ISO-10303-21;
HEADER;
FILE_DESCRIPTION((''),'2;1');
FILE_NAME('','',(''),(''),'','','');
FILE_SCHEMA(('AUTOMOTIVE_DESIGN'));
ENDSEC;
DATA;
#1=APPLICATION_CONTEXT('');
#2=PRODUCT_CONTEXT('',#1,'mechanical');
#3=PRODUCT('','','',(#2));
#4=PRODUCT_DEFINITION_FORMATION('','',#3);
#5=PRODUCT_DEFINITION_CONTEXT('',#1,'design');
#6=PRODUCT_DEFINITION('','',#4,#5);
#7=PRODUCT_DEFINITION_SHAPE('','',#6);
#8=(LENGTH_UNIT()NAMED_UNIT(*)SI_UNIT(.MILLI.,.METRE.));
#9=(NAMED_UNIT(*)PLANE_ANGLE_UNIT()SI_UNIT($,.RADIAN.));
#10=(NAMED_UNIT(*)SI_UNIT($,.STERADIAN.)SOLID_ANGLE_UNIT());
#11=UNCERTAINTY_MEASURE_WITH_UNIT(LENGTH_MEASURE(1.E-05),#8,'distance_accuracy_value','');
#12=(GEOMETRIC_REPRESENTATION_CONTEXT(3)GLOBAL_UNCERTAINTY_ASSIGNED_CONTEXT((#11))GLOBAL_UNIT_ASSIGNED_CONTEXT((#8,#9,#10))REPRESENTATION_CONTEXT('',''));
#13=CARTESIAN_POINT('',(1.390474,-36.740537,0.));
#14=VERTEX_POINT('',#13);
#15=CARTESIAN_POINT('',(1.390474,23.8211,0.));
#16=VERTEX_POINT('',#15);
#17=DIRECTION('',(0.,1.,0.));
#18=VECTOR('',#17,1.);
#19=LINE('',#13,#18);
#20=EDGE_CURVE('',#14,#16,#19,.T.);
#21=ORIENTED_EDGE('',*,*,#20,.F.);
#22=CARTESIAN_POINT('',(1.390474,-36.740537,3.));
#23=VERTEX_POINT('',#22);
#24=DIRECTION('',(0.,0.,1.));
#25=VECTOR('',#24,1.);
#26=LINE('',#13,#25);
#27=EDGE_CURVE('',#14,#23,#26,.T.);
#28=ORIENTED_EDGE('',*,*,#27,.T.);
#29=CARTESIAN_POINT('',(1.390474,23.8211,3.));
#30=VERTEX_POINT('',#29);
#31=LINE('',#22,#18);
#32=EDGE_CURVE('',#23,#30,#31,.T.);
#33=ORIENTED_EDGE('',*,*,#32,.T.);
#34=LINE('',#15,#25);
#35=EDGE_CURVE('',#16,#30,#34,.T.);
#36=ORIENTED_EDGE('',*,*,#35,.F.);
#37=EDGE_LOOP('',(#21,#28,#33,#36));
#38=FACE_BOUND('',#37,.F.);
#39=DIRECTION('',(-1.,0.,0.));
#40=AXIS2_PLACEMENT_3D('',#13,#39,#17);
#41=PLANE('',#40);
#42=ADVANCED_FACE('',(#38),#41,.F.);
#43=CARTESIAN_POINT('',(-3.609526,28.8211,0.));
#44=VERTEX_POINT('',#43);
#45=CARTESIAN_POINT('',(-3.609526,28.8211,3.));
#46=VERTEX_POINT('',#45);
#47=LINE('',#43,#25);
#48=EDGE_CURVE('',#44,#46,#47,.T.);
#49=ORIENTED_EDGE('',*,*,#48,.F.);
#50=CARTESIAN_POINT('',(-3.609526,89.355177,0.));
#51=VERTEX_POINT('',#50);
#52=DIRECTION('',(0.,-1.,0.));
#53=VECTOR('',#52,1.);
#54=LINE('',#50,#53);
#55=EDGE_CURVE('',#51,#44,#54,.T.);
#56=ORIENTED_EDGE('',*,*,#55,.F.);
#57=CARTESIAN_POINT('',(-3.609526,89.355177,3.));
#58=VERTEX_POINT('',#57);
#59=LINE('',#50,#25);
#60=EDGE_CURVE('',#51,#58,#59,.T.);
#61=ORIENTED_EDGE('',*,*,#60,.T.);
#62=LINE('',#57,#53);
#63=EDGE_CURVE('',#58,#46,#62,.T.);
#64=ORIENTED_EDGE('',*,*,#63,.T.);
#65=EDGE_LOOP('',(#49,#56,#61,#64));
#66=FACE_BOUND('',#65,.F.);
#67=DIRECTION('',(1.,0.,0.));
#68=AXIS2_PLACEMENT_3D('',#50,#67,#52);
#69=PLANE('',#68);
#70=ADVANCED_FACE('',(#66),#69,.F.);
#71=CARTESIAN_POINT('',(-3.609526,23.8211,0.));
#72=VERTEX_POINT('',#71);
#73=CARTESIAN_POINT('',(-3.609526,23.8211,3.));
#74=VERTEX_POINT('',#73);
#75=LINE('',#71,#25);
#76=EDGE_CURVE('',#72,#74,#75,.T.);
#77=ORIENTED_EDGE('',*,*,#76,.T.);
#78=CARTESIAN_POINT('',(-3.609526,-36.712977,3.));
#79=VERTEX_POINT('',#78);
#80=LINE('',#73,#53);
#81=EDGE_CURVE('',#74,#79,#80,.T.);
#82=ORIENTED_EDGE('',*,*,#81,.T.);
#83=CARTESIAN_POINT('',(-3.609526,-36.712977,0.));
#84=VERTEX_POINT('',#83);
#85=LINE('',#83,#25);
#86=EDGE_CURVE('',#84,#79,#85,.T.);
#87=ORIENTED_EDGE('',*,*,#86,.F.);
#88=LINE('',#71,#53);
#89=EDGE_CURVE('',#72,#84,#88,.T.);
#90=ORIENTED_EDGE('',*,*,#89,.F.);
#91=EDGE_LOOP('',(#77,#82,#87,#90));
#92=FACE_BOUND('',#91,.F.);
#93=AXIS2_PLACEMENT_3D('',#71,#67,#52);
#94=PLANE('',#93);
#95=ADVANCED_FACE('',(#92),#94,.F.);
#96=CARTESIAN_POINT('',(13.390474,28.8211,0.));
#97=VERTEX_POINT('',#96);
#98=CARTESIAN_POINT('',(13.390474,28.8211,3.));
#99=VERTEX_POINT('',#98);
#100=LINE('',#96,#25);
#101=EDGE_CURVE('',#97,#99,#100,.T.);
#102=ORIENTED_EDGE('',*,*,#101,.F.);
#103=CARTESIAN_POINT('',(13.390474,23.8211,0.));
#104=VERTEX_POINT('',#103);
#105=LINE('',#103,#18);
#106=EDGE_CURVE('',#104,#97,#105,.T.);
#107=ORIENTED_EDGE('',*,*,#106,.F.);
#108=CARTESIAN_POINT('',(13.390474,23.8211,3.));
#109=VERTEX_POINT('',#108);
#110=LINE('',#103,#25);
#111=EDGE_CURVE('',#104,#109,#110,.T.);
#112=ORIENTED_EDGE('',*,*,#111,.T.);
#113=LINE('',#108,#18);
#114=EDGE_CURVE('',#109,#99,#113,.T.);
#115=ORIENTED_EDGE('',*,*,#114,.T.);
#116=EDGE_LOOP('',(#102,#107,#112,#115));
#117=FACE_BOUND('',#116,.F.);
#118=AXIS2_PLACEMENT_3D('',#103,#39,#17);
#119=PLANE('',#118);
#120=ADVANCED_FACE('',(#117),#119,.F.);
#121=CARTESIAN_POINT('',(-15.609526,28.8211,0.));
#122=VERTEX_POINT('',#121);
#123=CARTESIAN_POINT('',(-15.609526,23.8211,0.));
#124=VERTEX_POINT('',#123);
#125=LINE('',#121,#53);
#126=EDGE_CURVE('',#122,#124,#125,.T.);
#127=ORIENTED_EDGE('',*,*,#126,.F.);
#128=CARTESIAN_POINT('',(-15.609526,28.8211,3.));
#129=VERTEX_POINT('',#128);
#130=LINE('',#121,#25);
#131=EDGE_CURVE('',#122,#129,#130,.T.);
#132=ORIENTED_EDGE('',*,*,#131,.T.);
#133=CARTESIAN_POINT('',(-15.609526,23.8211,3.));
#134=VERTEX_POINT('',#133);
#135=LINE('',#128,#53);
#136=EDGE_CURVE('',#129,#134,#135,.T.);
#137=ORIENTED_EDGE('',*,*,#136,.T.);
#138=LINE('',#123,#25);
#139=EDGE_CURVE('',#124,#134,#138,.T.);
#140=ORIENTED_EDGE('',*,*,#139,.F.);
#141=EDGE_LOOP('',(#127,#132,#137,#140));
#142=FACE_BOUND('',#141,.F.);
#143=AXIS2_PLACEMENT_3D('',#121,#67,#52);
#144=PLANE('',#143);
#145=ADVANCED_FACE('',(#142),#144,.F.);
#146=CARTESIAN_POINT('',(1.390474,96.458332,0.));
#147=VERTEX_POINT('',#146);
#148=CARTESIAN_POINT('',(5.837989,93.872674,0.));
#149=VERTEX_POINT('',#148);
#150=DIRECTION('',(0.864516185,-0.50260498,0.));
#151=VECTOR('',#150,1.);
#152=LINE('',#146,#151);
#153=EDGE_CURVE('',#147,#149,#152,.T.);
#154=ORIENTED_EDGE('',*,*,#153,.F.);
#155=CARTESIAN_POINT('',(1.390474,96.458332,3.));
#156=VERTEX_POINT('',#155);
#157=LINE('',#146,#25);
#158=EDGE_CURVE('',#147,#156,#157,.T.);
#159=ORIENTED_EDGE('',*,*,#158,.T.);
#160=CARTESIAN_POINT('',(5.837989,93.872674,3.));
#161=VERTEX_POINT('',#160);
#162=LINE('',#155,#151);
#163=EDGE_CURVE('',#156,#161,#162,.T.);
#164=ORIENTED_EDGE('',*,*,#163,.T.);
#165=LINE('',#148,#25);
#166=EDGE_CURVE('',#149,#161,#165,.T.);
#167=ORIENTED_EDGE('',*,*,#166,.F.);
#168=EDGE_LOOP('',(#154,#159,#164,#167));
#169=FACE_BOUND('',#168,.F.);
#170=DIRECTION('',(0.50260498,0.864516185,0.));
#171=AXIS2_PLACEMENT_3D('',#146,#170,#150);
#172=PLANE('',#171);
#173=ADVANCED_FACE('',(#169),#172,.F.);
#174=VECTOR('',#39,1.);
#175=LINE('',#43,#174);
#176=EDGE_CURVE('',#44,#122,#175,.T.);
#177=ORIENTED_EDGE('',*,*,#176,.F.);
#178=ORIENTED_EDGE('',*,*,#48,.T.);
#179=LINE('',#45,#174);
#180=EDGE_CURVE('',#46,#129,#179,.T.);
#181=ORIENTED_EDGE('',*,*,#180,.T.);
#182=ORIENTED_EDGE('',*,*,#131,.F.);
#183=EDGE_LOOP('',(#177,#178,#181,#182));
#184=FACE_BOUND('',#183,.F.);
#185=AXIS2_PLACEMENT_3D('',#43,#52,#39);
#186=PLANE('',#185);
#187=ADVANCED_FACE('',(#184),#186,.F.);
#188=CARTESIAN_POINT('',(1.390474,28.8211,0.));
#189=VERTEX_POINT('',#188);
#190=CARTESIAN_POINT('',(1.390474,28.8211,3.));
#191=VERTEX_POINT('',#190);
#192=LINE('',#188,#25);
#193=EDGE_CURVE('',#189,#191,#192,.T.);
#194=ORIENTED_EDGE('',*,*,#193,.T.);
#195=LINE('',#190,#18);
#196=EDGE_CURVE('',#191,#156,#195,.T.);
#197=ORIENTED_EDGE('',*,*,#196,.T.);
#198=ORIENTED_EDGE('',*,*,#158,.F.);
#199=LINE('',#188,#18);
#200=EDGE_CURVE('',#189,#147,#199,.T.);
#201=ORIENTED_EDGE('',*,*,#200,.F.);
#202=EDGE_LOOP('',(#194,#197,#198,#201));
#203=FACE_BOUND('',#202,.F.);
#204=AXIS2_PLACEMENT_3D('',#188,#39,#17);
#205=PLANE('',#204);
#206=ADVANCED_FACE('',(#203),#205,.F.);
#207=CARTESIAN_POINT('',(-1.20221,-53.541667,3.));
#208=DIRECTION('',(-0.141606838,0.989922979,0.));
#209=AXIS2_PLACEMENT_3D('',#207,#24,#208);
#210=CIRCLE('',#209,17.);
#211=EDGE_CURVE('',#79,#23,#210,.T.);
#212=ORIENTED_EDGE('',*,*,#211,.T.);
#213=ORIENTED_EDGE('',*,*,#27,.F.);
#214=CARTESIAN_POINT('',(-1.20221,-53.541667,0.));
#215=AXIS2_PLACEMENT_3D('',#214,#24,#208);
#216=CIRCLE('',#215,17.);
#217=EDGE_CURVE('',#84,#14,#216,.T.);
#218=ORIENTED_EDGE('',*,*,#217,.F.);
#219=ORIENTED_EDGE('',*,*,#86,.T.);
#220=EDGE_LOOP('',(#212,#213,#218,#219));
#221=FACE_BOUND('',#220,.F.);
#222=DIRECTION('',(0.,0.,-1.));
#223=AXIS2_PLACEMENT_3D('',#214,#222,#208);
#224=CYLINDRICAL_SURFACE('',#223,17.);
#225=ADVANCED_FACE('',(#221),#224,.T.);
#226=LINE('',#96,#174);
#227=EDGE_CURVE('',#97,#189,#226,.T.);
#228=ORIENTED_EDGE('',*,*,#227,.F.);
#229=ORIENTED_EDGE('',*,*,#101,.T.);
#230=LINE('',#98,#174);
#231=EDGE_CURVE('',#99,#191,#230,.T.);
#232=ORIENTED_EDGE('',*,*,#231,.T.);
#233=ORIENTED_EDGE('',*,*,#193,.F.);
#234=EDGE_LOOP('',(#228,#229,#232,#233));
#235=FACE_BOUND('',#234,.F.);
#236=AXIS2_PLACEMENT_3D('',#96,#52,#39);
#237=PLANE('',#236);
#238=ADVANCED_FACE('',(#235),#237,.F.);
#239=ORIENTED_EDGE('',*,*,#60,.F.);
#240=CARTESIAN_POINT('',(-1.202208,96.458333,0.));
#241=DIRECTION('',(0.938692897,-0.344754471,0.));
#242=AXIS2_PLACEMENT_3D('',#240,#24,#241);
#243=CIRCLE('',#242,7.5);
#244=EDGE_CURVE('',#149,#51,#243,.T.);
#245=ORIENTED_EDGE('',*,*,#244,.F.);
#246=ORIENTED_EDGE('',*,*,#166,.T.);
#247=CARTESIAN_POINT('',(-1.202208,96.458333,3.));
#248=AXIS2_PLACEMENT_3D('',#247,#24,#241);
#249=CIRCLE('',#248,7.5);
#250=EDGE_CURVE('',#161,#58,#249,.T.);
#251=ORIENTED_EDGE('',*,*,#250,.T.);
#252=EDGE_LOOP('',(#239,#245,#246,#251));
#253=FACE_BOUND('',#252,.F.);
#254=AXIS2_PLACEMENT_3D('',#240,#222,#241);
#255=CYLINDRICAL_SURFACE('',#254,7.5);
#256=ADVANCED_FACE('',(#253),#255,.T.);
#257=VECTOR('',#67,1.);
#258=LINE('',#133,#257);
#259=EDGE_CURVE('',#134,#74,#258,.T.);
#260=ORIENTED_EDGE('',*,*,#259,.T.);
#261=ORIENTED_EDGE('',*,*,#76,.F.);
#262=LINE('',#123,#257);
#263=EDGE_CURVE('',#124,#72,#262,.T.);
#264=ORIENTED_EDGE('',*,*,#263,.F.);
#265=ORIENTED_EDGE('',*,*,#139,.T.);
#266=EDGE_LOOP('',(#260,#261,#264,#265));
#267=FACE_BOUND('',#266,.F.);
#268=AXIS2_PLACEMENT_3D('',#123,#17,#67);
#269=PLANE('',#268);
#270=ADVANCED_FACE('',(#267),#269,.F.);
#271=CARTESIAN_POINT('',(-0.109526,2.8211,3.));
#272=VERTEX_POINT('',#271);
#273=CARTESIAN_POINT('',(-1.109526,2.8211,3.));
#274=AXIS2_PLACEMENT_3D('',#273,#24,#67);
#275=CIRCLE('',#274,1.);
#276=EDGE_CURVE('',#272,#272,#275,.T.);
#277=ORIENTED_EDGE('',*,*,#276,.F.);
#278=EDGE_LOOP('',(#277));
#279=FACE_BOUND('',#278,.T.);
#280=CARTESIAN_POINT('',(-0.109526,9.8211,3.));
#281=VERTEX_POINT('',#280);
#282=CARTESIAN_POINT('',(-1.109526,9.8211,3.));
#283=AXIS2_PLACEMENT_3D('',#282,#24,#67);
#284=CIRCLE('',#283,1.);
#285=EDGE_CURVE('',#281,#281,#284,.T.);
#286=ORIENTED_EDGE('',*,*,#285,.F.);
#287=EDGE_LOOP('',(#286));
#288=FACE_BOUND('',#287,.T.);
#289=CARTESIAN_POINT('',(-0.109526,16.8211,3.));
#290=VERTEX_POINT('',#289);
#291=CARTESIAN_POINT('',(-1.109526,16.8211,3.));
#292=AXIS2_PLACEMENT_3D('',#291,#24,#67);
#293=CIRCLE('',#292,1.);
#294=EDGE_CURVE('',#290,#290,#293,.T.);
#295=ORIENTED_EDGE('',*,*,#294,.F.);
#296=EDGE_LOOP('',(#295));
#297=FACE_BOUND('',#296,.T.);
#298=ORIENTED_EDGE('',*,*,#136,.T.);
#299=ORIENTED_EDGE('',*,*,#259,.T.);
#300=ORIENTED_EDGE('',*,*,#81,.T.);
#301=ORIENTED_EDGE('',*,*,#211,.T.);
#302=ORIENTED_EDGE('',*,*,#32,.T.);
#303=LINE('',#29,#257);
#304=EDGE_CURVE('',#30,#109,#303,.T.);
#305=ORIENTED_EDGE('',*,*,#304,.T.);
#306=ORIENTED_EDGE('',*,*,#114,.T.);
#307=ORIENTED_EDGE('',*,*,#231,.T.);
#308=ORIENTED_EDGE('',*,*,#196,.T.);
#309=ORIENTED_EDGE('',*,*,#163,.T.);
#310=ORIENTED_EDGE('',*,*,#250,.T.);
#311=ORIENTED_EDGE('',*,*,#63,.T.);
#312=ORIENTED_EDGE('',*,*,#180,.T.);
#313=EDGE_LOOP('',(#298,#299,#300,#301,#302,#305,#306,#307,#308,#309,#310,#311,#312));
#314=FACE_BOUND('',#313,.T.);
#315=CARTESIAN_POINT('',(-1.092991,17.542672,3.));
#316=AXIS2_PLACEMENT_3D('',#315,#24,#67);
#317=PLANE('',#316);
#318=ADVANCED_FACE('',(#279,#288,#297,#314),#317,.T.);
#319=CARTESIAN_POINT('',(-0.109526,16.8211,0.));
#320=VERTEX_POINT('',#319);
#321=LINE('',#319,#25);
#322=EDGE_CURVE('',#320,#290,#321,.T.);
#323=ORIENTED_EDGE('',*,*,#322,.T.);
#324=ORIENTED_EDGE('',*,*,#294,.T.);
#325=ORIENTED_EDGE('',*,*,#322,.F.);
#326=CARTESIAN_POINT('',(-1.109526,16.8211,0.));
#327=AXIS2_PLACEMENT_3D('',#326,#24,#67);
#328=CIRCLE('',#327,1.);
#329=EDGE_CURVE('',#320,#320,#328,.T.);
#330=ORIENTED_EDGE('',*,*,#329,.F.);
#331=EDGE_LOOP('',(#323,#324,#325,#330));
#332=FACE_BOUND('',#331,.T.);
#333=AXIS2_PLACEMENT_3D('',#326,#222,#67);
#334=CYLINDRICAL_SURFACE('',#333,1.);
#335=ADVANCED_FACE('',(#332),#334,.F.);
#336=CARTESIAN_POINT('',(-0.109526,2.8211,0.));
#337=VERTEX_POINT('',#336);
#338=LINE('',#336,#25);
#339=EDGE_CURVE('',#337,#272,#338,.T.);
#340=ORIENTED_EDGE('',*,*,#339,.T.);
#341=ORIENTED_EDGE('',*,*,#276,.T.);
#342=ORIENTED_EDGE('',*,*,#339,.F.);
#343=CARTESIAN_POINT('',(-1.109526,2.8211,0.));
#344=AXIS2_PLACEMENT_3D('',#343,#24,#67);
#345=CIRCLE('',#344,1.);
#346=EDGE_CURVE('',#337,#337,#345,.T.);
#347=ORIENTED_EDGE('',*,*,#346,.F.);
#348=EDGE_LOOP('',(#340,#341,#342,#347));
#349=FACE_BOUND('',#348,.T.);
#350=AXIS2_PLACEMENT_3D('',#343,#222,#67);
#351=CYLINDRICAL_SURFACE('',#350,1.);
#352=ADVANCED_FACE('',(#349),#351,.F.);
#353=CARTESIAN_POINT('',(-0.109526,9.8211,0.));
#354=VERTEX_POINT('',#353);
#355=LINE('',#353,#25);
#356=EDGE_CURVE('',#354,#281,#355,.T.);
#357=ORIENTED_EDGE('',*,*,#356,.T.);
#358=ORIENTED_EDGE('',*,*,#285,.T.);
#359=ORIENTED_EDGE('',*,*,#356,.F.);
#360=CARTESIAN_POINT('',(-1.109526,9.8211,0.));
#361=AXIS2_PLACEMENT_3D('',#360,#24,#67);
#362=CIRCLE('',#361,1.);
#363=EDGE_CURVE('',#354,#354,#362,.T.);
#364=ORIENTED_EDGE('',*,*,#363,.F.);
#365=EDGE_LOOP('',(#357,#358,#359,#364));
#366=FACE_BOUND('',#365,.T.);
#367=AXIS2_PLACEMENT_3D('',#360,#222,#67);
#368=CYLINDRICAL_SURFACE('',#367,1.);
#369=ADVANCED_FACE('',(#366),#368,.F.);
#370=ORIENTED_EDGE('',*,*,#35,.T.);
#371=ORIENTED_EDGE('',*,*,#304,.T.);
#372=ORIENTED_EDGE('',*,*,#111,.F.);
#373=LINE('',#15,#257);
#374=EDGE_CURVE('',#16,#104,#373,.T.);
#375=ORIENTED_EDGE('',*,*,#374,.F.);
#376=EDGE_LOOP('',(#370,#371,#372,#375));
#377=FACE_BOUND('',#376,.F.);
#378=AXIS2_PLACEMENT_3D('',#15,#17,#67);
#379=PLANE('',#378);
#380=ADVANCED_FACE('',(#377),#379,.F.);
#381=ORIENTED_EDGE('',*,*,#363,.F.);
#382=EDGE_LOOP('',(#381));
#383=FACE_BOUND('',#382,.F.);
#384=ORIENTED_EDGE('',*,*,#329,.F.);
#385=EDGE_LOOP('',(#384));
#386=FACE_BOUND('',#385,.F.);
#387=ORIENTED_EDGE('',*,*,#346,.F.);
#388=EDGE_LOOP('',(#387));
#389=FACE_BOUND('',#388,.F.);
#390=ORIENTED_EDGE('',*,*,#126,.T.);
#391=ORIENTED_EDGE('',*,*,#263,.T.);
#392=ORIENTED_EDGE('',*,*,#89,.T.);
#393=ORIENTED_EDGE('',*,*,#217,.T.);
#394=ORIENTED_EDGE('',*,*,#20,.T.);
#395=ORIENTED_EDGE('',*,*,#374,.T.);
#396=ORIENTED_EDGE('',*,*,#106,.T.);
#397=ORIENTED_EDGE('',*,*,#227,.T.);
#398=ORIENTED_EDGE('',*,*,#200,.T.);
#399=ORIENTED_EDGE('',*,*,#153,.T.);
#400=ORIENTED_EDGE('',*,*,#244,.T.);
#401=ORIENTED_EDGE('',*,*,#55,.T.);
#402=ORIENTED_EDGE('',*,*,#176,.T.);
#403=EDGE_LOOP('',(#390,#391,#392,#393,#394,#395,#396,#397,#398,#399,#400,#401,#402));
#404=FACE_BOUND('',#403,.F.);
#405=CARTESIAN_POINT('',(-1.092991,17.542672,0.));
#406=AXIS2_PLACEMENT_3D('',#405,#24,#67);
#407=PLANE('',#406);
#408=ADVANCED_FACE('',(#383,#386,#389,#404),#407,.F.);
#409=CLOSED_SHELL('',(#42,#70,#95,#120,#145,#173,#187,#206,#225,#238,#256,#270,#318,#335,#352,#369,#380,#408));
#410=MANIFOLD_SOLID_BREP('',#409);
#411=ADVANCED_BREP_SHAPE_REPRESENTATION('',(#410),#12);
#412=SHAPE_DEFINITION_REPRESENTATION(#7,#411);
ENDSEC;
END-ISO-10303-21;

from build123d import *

# Parameters (mm, degrees)
F0_R     = 1
F1_DEPTH = 3


with BuildPart() as f1:
    # F0 (on Top) → F1 (new body)
    with BuildSketch(Plane.XY):
        with BuildLine():
            Line((-3.609526, 23.8211), (-3.609526, -36.712977))
            ThreePointArc((-3.609526, -36.712977), (-1.295909, -70.541409), (1.390474, -36.740537))
            Line((1.390474, -36.740537), (1.390474, 23.8211))
            Line((1.390474, 23.8211), (13.390474, 23.8211))
            Line((13.390474, 23.8211), (13.390474, 28.8211))
            Line((13.390474, 28.8211), (1.390474, 28.8211))
            Line((1.390474, 28.8211), (1.390474, 89.420719))
            Line((1.390474, 89.420719), (1.390474, 96.458332))
            Line((1.390474, 96.458332), (5.837989, 93.872674))
            ThreePointArc((5.837989, 93.872674), (-4.437612, 103.224584), (-3.609526, 89.355177))
            Line((-3.609526, 89.355177), (-3.609526, 28.8211))
            Line((-3.609526, 28.8211), (-15.609526, 28.8211))
            Line((-15.609526, 28.8211), (-15.609526, 23.8211))
            Line((-15.609526, 23.8211), (-3.609526, 23.8211))
        make_face()
        with Locations((-1.109526, 2.8211)):
            Circle(F0_R, mode=Mode.SUBTRACT)
        with Locations((-1.109526, 9.8211)):
            Circle(F0_R, mode=Mode.SUBTRACT)
        with Locations((-1.109526, 16.8211)):
            Circle(F0_R, mode=Mode.SUBTRACT)
    extrude(amount=F1_DEPTH)


solid = f1.part
